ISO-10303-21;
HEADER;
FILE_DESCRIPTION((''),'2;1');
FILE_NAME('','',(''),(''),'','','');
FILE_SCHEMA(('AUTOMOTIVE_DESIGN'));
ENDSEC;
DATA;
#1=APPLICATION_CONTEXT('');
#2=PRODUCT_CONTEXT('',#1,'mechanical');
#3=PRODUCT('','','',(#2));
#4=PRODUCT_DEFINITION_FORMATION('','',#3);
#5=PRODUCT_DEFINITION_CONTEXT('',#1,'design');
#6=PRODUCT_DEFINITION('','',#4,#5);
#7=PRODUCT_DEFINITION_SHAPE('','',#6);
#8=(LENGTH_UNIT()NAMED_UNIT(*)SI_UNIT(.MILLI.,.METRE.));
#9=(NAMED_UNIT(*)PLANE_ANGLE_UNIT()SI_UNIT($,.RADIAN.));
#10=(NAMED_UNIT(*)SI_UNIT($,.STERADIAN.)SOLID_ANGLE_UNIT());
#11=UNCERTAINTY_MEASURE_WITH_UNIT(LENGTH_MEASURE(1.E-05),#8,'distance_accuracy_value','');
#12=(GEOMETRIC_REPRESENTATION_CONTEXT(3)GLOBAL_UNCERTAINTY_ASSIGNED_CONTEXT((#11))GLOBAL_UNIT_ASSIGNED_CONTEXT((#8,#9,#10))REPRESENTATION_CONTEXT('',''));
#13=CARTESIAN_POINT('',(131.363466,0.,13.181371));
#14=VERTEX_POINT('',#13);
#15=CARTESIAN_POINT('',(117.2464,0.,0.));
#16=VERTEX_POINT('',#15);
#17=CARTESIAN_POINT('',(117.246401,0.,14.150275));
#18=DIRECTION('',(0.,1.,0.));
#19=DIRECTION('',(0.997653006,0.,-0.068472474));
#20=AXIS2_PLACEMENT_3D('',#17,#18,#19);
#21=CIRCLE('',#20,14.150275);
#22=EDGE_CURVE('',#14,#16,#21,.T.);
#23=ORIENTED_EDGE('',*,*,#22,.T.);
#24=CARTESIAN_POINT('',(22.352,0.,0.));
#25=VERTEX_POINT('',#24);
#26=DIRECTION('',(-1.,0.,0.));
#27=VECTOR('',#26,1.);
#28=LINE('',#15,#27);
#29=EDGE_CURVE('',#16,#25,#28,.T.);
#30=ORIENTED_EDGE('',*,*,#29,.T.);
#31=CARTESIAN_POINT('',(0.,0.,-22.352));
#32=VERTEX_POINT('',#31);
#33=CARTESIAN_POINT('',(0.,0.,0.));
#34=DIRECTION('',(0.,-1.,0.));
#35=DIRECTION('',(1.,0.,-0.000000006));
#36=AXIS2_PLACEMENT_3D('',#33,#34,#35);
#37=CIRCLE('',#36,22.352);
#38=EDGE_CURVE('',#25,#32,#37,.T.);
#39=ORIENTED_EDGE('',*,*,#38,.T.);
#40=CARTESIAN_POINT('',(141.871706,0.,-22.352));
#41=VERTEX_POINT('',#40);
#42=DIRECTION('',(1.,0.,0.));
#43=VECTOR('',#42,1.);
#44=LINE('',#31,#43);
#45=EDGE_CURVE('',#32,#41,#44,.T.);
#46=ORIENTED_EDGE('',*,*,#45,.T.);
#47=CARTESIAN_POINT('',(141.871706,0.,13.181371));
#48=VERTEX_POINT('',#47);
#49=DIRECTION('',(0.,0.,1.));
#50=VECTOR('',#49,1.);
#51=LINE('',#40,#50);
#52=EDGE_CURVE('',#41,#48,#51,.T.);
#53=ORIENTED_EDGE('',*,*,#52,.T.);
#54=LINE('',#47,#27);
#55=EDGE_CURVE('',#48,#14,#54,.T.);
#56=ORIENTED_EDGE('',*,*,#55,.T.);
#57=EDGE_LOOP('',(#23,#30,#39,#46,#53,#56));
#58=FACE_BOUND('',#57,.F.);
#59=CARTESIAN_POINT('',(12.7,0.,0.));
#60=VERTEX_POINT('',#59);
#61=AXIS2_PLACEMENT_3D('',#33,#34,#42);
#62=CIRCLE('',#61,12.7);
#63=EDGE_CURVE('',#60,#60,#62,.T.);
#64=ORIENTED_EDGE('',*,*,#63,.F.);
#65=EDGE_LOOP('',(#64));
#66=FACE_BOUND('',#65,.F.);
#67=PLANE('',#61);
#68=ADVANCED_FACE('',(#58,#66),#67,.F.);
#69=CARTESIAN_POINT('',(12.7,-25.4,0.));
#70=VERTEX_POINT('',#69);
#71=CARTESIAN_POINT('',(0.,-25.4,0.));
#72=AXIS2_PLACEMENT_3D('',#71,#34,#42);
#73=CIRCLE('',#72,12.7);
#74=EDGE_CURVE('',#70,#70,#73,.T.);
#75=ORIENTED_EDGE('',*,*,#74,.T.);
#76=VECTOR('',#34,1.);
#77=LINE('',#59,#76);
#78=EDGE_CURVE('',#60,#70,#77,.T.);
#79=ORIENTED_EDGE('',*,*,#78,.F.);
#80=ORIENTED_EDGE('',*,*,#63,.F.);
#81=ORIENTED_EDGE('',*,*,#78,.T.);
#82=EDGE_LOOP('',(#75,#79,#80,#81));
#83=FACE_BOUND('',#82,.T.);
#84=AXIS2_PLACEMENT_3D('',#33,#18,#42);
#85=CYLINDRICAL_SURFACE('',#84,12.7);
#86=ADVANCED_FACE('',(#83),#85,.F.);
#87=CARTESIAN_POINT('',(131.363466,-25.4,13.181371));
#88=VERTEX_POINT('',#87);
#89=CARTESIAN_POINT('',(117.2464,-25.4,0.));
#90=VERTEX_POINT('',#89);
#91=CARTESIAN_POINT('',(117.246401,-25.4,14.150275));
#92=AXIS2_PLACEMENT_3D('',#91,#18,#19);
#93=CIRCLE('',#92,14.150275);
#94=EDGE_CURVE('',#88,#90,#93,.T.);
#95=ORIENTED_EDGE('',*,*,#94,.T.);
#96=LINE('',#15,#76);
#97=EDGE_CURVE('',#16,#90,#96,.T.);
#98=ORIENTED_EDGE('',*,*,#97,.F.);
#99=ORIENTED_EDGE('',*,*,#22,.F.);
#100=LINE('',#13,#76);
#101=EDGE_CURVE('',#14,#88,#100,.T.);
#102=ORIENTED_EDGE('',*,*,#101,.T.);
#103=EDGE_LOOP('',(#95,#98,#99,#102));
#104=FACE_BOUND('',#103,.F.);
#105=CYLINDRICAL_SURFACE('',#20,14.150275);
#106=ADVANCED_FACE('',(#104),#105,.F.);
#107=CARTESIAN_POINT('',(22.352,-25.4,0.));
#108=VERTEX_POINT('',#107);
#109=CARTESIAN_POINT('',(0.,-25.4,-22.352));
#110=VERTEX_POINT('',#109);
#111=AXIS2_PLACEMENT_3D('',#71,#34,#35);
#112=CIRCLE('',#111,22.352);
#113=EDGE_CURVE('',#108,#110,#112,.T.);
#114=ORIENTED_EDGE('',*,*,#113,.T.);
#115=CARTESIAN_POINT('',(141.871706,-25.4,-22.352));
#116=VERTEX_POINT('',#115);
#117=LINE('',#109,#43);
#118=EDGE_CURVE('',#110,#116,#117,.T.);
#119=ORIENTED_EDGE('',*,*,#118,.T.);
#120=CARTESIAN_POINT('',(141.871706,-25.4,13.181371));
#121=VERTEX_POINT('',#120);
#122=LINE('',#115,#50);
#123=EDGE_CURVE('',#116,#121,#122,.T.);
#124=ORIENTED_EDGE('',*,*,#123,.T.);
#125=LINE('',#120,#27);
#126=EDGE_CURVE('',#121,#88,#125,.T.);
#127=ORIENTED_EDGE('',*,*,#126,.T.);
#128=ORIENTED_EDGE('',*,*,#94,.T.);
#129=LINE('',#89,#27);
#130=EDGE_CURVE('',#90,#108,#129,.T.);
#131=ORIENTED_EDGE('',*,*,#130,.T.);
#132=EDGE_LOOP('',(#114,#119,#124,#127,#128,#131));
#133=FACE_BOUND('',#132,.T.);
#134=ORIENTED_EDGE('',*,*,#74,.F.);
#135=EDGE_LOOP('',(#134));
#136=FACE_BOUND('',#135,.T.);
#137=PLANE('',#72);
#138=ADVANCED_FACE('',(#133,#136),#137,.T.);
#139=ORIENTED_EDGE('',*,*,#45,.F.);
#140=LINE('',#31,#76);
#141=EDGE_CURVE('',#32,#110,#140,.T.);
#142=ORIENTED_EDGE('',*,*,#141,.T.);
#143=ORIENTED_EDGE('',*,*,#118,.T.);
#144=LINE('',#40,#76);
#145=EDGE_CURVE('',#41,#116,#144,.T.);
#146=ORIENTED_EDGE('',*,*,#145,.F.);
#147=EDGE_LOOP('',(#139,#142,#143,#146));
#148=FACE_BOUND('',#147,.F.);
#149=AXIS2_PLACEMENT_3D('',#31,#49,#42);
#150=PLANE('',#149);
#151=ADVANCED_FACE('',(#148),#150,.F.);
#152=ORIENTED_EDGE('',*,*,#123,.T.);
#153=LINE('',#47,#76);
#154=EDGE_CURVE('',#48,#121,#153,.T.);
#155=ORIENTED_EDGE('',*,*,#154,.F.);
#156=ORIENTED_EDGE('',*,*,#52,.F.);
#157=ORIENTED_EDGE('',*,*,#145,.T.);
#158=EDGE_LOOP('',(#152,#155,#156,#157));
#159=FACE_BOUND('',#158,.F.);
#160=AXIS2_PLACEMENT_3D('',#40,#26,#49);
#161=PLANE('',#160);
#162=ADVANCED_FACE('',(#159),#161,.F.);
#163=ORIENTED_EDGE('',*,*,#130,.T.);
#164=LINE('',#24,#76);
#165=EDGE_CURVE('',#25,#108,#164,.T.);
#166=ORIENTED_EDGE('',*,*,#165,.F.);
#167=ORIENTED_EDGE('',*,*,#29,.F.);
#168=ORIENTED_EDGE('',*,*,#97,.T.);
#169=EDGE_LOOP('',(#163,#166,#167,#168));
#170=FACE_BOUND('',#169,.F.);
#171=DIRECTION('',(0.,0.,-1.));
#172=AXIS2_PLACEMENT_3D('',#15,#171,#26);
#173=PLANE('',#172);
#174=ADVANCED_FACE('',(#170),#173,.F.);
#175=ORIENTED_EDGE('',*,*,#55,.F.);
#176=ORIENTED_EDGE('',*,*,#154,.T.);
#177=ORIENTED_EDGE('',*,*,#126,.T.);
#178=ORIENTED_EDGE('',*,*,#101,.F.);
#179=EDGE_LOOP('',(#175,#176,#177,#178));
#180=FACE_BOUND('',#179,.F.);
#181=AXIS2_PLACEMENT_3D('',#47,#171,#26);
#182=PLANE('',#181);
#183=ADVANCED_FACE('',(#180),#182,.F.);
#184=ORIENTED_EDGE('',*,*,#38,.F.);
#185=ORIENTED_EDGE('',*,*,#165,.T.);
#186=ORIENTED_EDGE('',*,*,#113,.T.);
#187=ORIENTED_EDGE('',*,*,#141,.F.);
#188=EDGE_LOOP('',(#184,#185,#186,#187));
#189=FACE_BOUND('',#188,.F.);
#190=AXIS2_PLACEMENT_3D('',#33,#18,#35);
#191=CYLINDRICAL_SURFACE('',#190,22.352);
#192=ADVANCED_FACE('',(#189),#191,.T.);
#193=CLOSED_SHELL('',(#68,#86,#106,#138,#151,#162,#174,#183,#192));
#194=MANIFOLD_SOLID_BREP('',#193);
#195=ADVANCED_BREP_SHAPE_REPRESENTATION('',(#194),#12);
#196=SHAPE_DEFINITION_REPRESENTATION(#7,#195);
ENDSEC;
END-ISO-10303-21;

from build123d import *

# Parameters (mm, degrees)
F0_R     = 12.7
F1_DEPTH = 25.4


with BuildPart() as f1:
    # F0 (on Front) → F1 (new body)
    with BuildSketch(Plane.XZ):
        Circle(F0_R)
        with BuildLine():
            ThreePointArc((0, -22.352), (15.805251, -15.805251), (22.352, 0))
            ThreePointArc((22.352, 0), (-15.805251, 15.805251), (0, -22.352))
        make_face()
        Circle(F0_R, mode=Mode.SUBTRACT)
        with BuildLine():
            Line((117.2464, 0), (22.352, 0))
            ThreePointArc((22.352, 0), (15.805251, -15.805251), (0, -22.352))
            Line((0, -22.352), (141.871706, -22.352))
            Line((141.871706, -22.352), (141.871706, 13.181371))
            Line((141.871706, 13.181371), (131.363466, 13.181371))
            ThreePointArc((131.363466, 13.181371), (126.903523, 3.807631), (117.2464, 0))
        make_face()
    extrude(amount=F1_DEPTH)


solid = f1.part
